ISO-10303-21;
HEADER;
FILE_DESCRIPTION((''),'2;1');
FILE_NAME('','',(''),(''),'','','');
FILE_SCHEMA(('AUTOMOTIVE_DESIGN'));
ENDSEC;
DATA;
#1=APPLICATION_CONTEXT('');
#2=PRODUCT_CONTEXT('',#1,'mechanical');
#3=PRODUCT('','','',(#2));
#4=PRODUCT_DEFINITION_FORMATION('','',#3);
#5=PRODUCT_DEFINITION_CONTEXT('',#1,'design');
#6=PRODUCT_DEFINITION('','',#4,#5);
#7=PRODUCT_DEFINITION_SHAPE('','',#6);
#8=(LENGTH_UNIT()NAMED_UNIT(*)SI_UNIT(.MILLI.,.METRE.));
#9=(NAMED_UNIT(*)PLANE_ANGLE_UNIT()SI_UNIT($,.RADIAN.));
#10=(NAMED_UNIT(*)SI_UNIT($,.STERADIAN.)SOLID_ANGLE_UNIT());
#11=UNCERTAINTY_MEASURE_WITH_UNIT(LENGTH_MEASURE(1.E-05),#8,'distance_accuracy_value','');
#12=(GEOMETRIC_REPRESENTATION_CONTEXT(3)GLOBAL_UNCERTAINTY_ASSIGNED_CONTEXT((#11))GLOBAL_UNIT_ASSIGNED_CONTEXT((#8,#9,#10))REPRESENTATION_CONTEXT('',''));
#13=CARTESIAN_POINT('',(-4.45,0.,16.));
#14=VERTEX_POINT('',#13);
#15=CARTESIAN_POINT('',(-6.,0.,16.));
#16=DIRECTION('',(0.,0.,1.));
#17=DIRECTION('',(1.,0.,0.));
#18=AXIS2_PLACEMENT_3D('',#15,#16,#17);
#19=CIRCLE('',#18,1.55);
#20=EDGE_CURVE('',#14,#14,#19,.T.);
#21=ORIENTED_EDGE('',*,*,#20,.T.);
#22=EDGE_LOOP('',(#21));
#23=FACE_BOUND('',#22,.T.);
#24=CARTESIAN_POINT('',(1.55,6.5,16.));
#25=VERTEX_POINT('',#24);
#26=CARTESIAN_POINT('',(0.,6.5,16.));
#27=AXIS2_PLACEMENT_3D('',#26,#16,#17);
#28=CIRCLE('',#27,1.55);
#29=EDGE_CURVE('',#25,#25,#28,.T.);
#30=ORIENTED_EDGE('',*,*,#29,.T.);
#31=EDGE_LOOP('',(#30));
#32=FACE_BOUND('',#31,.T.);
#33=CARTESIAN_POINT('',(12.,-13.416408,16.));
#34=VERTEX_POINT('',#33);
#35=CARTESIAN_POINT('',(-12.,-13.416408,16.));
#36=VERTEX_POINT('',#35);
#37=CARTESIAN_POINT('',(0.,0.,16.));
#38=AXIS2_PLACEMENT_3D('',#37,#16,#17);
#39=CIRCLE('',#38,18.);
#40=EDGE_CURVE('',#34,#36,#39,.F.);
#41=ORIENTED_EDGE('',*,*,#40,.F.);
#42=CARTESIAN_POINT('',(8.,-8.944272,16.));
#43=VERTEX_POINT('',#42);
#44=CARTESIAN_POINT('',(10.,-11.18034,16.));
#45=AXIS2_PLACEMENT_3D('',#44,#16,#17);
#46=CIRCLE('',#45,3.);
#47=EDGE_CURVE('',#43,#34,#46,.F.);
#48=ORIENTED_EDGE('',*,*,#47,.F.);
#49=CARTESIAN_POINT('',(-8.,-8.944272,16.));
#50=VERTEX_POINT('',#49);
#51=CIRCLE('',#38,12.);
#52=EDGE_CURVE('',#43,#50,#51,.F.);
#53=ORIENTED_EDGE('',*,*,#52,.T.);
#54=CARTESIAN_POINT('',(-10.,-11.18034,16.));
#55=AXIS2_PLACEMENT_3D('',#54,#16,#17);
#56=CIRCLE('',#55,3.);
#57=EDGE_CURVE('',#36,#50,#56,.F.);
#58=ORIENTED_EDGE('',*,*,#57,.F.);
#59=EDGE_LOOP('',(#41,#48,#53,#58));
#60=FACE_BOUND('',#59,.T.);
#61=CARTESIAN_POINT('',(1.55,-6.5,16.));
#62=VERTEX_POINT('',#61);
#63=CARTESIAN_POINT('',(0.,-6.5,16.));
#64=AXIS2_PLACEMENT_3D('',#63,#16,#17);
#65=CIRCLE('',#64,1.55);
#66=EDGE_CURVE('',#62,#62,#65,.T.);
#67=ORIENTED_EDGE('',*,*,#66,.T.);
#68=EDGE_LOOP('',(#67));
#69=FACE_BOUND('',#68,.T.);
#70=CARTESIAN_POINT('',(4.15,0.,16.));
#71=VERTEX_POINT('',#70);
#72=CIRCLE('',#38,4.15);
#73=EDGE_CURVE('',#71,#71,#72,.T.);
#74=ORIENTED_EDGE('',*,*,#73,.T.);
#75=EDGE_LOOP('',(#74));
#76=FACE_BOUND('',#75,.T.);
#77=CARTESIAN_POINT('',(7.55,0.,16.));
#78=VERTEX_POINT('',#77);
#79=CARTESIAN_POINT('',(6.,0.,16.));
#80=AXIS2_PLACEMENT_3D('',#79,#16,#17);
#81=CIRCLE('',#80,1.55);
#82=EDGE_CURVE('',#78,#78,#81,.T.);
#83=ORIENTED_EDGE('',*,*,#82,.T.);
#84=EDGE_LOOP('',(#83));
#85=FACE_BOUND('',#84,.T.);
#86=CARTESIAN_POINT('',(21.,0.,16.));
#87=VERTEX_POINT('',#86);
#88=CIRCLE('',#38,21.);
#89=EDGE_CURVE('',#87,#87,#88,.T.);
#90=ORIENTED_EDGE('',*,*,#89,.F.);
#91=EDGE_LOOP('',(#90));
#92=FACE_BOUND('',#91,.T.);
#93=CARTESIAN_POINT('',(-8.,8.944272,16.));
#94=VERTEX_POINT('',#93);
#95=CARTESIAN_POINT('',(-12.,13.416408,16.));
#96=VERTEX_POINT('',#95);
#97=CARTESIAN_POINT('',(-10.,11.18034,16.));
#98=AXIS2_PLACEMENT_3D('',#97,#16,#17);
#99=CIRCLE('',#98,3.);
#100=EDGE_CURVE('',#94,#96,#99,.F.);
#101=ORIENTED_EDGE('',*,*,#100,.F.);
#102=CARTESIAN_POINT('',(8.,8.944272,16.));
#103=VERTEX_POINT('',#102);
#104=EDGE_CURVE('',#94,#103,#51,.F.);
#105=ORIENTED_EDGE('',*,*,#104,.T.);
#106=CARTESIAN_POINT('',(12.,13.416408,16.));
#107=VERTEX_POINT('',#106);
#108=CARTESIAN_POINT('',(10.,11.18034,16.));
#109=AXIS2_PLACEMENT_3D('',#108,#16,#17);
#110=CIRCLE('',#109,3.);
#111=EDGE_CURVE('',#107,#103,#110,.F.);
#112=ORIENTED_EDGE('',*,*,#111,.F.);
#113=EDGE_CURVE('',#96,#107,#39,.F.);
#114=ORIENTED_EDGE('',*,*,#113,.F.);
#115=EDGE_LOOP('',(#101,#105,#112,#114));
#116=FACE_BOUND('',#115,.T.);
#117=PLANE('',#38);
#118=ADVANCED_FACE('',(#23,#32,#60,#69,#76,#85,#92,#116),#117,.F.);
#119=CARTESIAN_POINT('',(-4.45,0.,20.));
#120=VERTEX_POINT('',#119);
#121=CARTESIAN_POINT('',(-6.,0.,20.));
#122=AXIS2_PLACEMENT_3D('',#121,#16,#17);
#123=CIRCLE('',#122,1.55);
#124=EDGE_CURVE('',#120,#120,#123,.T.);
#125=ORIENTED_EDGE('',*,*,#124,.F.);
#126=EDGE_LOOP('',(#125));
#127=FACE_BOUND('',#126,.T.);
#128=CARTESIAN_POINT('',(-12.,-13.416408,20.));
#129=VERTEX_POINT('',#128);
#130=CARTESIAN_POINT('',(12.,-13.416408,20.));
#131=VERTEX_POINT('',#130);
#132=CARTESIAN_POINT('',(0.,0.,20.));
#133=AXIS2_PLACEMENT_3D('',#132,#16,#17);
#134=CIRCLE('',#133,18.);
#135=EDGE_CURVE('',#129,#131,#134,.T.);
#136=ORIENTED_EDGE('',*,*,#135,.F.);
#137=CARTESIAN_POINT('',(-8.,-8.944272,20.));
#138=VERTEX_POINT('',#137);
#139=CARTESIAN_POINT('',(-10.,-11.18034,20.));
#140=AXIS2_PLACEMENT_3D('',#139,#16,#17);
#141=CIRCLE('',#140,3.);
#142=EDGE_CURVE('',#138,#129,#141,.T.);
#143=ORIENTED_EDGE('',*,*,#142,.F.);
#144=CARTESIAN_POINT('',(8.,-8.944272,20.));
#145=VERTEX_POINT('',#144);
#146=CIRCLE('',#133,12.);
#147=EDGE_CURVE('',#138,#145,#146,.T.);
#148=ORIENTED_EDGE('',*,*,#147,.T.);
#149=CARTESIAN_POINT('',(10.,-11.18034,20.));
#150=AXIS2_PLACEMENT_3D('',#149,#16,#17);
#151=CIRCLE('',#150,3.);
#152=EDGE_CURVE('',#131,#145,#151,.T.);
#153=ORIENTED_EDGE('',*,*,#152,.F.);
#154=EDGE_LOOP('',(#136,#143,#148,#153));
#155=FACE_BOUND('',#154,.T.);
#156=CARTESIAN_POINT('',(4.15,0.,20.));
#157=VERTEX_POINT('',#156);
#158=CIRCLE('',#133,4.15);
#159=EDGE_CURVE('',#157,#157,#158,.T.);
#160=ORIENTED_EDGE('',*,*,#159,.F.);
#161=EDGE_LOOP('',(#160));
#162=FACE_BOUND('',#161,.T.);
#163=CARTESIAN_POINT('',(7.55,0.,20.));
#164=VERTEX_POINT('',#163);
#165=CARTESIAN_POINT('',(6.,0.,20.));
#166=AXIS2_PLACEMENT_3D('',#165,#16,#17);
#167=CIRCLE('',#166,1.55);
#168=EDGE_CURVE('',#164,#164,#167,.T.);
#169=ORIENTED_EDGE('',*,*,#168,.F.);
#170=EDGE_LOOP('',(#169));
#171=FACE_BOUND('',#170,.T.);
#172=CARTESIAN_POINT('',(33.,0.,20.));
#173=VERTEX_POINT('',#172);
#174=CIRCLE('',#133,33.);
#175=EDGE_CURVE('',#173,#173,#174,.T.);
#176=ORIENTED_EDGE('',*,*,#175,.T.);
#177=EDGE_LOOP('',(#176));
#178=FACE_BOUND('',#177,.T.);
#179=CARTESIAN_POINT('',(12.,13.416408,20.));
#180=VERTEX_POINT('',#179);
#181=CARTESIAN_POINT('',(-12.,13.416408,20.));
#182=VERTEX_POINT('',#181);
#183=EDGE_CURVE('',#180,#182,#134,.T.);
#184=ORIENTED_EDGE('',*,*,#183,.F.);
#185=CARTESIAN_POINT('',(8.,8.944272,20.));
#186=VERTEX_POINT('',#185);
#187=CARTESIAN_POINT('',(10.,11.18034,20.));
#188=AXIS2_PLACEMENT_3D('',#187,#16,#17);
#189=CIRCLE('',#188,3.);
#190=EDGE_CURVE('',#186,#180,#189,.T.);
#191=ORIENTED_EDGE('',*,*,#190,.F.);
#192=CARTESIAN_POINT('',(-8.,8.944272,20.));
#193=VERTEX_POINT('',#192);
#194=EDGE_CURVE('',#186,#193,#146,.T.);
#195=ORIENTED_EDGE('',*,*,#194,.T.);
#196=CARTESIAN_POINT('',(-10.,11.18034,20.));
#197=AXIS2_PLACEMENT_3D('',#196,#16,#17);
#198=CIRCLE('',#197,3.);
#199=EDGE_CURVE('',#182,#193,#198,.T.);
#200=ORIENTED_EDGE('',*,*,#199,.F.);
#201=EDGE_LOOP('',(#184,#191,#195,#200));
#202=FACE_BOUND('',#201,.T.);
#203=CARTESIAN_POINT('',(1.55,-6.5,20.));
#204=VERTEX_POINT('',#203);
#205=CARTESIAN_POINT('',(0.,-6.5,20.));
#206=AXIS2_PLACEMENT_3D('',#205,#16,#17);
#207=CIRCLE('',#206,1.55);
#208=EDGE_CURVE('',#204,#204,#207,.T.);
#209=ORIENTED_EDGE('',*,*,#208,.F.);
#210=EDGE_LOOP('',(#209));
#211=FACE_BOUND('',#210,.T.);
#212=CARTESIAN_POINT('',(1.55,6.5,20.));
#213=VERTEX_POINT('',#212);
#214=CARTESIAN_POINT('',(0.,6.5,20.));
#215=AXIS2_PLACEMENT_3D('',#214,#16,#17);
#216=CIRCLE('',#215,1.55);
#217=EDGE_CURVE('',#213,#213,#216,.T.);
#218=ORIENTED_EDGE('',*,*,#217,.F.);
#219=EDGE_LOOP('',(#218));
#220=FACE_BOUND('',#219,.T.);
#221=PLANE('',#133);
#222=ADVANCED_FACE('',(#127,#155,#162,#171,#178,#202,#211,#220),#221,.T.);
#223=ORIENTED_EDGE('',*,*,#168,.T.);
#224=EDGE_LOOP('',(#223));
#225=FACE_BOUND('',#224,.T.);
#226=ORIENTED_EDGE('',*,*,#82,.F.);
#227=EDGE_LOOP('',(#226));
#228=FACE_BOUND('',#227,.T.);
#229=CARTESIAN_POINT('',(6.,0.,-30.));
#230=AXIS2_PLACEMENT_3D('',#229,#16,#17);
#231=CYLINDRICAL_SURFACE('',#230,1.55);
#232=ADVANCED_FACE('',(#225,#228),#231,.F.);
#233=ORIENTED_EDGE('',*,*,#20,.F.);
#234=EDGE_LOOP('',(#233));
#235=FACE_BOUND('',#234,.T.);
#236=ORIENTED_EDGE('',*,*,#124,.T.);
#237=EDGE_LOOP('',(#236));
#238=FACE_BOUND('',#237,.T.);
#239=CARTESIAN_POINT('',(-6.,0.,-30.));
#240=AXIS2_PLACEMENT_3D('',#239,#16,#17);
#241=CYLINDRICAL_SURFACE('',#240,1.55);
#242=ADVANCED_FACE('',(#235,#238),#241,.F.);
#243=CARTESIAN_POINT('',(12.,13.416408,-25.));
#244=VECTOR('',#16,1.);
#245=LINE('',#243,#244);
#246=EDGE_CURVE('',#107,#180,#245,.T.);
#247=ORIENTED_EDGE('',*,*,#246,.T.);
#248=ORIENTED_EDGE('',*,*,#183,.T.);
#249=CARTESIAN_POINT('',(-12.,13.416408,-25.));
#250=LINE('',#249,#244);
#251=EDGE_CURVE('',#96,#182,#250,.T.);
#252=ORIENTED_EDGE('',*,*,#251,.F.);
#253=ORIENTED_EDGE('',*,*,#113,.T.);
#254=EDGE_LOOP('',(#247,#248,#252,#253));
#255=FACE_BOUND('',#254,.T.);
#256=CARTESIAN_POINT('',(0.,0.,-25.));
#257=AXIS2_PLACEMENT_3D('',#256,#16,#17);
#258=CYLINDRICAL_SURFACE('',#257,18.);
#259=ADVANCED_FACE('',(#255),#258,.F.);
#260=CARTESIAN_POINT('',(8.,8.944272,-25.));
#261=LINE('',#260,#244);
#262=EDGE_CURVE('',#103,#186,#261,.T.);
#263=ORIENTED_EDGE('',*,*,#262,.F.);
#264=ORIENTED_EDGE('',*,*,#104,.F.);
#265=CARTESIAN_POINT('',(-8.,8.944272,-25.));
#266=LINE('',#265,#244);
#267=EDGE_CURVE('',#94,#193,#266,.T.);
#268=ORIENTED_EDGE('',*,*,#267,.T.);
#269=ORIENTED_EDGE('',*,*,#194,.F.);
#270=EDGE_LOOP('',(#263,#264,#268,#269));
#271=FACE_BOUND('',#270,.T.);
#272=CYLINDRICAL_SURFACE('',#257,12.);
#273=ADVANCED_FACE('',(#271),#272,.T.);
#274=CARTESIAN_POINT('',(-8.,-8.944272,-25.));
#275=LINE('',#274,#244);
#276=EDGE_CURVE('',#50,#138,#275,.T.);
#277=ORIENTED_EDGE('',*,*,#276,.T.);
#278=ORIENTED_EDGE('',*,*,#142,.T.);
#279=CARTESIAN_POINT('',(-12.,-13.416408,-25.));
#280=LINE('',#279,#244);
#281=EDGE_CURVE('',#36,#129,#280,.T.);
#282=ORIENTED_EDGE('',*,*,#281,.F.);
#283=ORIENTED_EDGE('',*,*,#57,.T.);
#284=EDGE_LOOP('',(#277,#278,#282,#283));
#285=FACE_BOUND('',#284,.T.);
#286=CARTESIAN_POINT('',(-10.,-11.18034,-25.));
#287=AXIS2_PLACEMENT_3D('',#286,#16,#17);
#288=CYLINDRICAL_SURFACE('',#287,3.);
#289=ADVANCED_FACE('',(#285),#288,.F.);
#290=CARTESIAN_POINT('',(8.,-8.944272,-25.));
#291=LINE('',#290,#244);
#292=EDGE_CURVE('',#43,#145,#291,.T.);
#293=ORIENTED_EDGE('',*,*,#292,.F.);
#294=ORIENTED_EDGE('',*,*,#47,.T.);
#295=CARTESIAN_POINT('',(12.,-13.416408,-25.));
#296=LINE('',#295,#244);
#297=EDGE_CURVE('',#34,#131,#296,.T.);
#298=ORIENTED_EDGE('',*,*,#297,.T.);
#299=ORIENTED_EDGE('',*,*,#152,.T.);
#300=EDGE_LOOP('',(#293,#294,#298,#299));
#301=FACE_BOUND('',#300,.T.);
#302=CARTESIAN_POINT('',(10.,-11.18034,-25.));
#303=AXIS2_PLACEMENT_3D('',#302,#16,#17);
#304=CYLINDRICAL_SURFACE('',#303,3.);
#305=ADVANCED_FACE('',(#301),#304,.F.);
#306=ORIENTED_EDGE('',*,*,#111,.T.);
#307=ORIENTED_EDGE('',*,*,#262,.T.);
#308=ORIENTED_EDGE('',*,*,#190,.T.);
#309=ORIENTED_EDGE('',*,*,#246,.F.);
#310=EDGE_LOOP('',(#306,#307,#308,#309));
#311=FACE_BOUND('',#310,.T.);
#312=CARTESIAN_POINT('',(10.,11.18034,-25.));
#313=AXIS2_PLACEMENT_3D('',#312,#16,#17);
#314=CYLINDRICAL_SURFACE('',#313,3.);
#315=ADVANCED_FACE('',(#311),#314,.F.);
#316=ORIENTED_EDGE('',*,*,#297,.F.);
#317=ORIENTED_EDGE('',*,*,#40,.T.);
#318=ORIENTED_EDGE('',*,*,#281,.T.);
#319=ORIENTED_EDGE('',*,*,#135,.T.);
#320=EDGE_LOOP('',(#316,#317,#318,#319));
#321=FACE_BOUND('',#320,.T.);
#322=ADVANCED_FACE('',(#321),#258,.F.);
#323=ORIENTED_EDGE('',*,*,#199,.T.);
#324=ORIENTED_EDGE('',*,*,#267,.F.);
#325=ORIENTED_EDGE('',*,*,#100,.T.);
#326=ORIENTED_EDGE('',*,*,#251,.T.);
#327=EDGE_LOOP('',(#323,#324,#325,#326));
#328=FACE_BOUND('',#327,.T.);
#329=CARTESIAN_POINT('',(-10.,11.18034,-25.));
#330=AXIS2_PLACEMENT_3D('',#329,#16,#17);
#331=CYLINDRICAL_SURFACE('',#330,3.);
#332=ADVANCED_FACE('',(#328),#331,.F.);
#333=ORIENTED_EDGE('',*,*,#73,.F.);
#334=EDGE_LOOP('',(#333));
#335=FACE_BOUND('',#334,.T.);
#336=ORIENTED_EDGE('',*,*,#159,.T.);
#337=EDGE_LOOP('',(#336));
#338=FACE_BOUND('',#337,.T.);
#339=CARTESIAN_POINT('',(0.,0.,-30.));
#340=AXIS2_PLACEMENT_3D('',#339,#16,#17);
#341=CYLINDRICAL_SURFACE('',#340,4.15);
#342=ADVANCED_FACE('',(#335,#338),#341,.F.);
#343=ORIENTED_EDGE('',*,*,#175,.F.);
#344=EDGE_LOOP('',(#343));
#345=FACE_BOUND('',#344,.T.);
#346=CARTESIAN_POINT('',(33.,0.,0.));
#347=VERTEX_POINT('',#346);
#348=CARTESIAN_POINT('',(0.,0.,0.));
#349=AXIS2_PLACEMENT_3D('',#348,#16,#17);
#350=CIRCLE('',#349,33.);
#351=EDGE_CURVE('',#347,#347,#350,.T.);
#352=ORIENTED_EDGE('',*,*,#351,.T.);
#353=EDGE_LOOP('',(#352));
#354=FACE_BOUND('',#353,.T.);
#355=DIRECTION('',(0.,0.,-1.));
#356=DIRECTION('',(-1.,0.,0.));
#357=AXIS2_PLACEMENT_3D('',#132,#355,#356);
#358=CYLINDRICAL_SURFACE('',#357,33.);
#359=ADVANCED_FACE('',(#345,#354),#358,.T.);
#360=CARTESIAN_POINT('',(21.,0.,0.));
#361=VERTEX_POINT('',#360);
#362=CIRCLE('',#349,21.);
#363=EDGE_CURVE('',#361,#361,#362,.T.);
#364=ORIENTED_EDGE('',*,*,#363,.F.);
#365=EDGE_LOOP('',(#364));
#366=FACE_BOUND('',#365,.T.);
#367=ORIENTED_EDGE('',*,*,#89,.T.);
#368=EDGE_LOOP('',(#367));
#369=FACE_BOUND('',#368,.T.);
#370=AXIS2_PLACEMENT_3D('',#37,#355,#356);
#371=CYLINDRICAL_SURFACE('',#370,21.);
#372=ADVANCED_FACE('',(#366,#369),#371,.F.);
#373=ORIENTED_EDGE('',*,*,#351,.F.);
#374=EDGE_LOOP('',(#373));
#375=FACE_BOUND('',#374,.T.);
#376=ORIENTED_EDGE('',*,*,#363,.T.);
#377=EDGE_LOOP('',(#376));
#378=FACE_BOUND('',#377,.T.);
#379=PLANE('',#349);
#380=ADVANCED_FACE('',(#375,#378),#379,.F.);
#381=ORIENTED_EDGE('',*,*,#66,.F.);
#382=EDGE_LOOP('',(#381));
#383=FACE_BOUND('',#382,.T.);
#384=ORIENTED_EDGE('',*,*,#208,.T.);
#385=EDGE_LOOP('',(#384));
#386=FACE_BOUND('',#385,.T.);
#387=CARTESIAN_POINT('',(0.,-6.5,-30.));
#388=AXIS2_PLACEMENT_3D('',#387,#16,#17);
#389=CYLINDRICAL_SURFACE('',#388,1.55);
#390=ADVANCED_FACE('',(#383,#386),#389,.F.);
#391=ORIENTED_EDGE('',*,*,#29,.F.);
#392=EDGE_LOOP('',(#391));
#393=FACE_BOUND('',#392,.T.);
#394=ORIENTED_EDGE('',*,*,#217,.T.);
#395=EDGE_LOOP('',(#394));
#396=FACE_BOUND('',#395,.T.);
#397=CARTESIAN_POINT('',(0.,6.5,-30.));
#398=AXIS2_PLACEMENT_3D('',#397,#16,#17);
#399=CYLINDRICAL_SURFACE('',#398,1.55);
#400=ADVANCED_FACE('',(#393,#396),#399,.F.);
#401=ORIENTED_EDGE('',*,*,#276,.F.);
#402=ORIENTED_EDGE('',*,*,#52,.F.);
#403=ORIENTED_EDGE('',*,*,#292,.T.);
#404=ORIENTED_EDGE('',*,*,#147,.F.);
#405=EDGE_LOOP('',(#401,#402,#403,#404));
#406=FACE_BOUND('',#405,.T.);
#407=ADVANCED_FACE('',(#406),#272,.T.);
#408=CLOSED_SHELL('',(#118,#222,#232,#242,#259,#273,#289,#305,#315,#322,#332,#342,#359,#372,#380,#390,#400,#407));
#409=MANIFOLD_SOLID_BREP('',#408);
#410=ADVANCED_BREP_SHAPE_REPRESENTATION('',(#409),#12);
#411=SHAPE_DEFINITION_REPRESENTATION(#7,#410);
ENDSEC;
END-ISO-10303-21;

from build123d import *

# Parameters (mm, degrees)
SKETCH_1_R          = 33
EXTRUDE_1_DEPTH     = 20
CUT_EXTRUDE_2_DEPTH = 25
SKETCH_1_6_R        = 21
CUT_EXTRUDE_3_DEPTH = 16
CUT_EXTRUDE_5_DEPTH = 30


with BuildPart() as part:
    # 草图1 → 凸台-拉伸1 (new body)
    with BuildSketch(Plane.XY):
        Circle(SKETCH_1_R)
    extrude(amount=EXTRUDE_1_DEPTH)

    # 草图1<5> → 切除-拉伸2 (cut, symmetric)
    with BuildSketch(Plane.XY):
        with BuildLine():
            ThreePointArc((-8, -8.94427191), (-8.929533731, -8.377822811), (-10, -8.180339887))
            ThreePointArc((-10, -8.180339887), (-12.802517077, -10.109873618), (-12, -13.416407865))
            ThreePointArc((-12, -13.416407865), (0, -18), (12, -13.416407865))
            ThreePointArc((12, -13.416407865), (12.802517077, -10.109873618), (10, -8.180339887))
            ThreePointArc((10, -8.180339887), (8.929533731, -8.377822811), (8, -8.94427191))
            ThreePointArc((8, -8.94427191), (0, -12), (-8, -8.94427191))
        make_face()
        with BuildLine():
            ThreePointArc((-12, 13.416407865), (-12.236067977, 9.180339887), (-8, 8.94427191))
            ThreePointArc((-8, 8.94427191), (-4.281865077, 11.210068308), (0, 12))
            ThreePointArc((0, 12), (4.281865077, 11.210068308), (8, 8.94427191))
            ThreePointArc((8, 8.94427191), (12.236067977, 9.180339887), (12, 13.416407865))
            ThreePointArc((12, 13.416407865), (6.422797616, 16.815102461), (0, 18))
            ThreePointArc((0, 18), (-6.422797616, 16.815102461), (-12, 13.416407865))
        make_face()
    extrude(amount=CUT_EXTRUDE_2_DEPTH, both=True, mode=Mode.SUBTRACT)

    # 草图1<6> → 切除-拉伸3 (cut)
    with BuildSketch(Plane.XY):
        Circle(SKETCH_1_6_R)
    extrude(amount=CUT_EXTRUDE_3_DEPTH, mode=Mode.SUBTRACT)

    # 草图1<7> → 切除-拉伸5 (cut, symmetric)
    with BuildSketch(Plane.XY):
        with BuildLine():
            ThreePointArc((0, 8.05), (-1.55, 6.5), (0, 4.95))
            ThreePointArc((0, 4.95), (1.55, 6.5), (0, 8.05))
        make_face()
        with BuildLine():
            ThreePointArc((0, -4.95), (-1.55, -6.5), (0, -8.05))
            ThreePointArc((0, -8.05), (1.55, -6.5), (0, -4.95))
        make_face()
        with BuildLine():
            ThreePointArc((6, 1.55), (4.45, 0), (6, -1.55))
            ThreePointArc((6, -1.55), (7.55, 0), (6, 1.55))
        make_face()
        with BuildLine():
            ThreePointArc((-6, 1.55), (-7.55, 0), (-6, -1.55))
            ThreePointArc((-6, -1.55), (-4.45, 0), (-6, 1.55))
        make_face()
        with BuildLine():
            ThreePointArc((0, 4.15), (-4.15, 0), (0, -4.15))
            ThreePointArc((0, -4.15), (4.15, 0), (0, 4.15))
        make_face()
    extrude(amount=CUT_EXTRUDE_5_DEPTH, both=True, mode=Mode.SUBTRACT)


solid = part.part
